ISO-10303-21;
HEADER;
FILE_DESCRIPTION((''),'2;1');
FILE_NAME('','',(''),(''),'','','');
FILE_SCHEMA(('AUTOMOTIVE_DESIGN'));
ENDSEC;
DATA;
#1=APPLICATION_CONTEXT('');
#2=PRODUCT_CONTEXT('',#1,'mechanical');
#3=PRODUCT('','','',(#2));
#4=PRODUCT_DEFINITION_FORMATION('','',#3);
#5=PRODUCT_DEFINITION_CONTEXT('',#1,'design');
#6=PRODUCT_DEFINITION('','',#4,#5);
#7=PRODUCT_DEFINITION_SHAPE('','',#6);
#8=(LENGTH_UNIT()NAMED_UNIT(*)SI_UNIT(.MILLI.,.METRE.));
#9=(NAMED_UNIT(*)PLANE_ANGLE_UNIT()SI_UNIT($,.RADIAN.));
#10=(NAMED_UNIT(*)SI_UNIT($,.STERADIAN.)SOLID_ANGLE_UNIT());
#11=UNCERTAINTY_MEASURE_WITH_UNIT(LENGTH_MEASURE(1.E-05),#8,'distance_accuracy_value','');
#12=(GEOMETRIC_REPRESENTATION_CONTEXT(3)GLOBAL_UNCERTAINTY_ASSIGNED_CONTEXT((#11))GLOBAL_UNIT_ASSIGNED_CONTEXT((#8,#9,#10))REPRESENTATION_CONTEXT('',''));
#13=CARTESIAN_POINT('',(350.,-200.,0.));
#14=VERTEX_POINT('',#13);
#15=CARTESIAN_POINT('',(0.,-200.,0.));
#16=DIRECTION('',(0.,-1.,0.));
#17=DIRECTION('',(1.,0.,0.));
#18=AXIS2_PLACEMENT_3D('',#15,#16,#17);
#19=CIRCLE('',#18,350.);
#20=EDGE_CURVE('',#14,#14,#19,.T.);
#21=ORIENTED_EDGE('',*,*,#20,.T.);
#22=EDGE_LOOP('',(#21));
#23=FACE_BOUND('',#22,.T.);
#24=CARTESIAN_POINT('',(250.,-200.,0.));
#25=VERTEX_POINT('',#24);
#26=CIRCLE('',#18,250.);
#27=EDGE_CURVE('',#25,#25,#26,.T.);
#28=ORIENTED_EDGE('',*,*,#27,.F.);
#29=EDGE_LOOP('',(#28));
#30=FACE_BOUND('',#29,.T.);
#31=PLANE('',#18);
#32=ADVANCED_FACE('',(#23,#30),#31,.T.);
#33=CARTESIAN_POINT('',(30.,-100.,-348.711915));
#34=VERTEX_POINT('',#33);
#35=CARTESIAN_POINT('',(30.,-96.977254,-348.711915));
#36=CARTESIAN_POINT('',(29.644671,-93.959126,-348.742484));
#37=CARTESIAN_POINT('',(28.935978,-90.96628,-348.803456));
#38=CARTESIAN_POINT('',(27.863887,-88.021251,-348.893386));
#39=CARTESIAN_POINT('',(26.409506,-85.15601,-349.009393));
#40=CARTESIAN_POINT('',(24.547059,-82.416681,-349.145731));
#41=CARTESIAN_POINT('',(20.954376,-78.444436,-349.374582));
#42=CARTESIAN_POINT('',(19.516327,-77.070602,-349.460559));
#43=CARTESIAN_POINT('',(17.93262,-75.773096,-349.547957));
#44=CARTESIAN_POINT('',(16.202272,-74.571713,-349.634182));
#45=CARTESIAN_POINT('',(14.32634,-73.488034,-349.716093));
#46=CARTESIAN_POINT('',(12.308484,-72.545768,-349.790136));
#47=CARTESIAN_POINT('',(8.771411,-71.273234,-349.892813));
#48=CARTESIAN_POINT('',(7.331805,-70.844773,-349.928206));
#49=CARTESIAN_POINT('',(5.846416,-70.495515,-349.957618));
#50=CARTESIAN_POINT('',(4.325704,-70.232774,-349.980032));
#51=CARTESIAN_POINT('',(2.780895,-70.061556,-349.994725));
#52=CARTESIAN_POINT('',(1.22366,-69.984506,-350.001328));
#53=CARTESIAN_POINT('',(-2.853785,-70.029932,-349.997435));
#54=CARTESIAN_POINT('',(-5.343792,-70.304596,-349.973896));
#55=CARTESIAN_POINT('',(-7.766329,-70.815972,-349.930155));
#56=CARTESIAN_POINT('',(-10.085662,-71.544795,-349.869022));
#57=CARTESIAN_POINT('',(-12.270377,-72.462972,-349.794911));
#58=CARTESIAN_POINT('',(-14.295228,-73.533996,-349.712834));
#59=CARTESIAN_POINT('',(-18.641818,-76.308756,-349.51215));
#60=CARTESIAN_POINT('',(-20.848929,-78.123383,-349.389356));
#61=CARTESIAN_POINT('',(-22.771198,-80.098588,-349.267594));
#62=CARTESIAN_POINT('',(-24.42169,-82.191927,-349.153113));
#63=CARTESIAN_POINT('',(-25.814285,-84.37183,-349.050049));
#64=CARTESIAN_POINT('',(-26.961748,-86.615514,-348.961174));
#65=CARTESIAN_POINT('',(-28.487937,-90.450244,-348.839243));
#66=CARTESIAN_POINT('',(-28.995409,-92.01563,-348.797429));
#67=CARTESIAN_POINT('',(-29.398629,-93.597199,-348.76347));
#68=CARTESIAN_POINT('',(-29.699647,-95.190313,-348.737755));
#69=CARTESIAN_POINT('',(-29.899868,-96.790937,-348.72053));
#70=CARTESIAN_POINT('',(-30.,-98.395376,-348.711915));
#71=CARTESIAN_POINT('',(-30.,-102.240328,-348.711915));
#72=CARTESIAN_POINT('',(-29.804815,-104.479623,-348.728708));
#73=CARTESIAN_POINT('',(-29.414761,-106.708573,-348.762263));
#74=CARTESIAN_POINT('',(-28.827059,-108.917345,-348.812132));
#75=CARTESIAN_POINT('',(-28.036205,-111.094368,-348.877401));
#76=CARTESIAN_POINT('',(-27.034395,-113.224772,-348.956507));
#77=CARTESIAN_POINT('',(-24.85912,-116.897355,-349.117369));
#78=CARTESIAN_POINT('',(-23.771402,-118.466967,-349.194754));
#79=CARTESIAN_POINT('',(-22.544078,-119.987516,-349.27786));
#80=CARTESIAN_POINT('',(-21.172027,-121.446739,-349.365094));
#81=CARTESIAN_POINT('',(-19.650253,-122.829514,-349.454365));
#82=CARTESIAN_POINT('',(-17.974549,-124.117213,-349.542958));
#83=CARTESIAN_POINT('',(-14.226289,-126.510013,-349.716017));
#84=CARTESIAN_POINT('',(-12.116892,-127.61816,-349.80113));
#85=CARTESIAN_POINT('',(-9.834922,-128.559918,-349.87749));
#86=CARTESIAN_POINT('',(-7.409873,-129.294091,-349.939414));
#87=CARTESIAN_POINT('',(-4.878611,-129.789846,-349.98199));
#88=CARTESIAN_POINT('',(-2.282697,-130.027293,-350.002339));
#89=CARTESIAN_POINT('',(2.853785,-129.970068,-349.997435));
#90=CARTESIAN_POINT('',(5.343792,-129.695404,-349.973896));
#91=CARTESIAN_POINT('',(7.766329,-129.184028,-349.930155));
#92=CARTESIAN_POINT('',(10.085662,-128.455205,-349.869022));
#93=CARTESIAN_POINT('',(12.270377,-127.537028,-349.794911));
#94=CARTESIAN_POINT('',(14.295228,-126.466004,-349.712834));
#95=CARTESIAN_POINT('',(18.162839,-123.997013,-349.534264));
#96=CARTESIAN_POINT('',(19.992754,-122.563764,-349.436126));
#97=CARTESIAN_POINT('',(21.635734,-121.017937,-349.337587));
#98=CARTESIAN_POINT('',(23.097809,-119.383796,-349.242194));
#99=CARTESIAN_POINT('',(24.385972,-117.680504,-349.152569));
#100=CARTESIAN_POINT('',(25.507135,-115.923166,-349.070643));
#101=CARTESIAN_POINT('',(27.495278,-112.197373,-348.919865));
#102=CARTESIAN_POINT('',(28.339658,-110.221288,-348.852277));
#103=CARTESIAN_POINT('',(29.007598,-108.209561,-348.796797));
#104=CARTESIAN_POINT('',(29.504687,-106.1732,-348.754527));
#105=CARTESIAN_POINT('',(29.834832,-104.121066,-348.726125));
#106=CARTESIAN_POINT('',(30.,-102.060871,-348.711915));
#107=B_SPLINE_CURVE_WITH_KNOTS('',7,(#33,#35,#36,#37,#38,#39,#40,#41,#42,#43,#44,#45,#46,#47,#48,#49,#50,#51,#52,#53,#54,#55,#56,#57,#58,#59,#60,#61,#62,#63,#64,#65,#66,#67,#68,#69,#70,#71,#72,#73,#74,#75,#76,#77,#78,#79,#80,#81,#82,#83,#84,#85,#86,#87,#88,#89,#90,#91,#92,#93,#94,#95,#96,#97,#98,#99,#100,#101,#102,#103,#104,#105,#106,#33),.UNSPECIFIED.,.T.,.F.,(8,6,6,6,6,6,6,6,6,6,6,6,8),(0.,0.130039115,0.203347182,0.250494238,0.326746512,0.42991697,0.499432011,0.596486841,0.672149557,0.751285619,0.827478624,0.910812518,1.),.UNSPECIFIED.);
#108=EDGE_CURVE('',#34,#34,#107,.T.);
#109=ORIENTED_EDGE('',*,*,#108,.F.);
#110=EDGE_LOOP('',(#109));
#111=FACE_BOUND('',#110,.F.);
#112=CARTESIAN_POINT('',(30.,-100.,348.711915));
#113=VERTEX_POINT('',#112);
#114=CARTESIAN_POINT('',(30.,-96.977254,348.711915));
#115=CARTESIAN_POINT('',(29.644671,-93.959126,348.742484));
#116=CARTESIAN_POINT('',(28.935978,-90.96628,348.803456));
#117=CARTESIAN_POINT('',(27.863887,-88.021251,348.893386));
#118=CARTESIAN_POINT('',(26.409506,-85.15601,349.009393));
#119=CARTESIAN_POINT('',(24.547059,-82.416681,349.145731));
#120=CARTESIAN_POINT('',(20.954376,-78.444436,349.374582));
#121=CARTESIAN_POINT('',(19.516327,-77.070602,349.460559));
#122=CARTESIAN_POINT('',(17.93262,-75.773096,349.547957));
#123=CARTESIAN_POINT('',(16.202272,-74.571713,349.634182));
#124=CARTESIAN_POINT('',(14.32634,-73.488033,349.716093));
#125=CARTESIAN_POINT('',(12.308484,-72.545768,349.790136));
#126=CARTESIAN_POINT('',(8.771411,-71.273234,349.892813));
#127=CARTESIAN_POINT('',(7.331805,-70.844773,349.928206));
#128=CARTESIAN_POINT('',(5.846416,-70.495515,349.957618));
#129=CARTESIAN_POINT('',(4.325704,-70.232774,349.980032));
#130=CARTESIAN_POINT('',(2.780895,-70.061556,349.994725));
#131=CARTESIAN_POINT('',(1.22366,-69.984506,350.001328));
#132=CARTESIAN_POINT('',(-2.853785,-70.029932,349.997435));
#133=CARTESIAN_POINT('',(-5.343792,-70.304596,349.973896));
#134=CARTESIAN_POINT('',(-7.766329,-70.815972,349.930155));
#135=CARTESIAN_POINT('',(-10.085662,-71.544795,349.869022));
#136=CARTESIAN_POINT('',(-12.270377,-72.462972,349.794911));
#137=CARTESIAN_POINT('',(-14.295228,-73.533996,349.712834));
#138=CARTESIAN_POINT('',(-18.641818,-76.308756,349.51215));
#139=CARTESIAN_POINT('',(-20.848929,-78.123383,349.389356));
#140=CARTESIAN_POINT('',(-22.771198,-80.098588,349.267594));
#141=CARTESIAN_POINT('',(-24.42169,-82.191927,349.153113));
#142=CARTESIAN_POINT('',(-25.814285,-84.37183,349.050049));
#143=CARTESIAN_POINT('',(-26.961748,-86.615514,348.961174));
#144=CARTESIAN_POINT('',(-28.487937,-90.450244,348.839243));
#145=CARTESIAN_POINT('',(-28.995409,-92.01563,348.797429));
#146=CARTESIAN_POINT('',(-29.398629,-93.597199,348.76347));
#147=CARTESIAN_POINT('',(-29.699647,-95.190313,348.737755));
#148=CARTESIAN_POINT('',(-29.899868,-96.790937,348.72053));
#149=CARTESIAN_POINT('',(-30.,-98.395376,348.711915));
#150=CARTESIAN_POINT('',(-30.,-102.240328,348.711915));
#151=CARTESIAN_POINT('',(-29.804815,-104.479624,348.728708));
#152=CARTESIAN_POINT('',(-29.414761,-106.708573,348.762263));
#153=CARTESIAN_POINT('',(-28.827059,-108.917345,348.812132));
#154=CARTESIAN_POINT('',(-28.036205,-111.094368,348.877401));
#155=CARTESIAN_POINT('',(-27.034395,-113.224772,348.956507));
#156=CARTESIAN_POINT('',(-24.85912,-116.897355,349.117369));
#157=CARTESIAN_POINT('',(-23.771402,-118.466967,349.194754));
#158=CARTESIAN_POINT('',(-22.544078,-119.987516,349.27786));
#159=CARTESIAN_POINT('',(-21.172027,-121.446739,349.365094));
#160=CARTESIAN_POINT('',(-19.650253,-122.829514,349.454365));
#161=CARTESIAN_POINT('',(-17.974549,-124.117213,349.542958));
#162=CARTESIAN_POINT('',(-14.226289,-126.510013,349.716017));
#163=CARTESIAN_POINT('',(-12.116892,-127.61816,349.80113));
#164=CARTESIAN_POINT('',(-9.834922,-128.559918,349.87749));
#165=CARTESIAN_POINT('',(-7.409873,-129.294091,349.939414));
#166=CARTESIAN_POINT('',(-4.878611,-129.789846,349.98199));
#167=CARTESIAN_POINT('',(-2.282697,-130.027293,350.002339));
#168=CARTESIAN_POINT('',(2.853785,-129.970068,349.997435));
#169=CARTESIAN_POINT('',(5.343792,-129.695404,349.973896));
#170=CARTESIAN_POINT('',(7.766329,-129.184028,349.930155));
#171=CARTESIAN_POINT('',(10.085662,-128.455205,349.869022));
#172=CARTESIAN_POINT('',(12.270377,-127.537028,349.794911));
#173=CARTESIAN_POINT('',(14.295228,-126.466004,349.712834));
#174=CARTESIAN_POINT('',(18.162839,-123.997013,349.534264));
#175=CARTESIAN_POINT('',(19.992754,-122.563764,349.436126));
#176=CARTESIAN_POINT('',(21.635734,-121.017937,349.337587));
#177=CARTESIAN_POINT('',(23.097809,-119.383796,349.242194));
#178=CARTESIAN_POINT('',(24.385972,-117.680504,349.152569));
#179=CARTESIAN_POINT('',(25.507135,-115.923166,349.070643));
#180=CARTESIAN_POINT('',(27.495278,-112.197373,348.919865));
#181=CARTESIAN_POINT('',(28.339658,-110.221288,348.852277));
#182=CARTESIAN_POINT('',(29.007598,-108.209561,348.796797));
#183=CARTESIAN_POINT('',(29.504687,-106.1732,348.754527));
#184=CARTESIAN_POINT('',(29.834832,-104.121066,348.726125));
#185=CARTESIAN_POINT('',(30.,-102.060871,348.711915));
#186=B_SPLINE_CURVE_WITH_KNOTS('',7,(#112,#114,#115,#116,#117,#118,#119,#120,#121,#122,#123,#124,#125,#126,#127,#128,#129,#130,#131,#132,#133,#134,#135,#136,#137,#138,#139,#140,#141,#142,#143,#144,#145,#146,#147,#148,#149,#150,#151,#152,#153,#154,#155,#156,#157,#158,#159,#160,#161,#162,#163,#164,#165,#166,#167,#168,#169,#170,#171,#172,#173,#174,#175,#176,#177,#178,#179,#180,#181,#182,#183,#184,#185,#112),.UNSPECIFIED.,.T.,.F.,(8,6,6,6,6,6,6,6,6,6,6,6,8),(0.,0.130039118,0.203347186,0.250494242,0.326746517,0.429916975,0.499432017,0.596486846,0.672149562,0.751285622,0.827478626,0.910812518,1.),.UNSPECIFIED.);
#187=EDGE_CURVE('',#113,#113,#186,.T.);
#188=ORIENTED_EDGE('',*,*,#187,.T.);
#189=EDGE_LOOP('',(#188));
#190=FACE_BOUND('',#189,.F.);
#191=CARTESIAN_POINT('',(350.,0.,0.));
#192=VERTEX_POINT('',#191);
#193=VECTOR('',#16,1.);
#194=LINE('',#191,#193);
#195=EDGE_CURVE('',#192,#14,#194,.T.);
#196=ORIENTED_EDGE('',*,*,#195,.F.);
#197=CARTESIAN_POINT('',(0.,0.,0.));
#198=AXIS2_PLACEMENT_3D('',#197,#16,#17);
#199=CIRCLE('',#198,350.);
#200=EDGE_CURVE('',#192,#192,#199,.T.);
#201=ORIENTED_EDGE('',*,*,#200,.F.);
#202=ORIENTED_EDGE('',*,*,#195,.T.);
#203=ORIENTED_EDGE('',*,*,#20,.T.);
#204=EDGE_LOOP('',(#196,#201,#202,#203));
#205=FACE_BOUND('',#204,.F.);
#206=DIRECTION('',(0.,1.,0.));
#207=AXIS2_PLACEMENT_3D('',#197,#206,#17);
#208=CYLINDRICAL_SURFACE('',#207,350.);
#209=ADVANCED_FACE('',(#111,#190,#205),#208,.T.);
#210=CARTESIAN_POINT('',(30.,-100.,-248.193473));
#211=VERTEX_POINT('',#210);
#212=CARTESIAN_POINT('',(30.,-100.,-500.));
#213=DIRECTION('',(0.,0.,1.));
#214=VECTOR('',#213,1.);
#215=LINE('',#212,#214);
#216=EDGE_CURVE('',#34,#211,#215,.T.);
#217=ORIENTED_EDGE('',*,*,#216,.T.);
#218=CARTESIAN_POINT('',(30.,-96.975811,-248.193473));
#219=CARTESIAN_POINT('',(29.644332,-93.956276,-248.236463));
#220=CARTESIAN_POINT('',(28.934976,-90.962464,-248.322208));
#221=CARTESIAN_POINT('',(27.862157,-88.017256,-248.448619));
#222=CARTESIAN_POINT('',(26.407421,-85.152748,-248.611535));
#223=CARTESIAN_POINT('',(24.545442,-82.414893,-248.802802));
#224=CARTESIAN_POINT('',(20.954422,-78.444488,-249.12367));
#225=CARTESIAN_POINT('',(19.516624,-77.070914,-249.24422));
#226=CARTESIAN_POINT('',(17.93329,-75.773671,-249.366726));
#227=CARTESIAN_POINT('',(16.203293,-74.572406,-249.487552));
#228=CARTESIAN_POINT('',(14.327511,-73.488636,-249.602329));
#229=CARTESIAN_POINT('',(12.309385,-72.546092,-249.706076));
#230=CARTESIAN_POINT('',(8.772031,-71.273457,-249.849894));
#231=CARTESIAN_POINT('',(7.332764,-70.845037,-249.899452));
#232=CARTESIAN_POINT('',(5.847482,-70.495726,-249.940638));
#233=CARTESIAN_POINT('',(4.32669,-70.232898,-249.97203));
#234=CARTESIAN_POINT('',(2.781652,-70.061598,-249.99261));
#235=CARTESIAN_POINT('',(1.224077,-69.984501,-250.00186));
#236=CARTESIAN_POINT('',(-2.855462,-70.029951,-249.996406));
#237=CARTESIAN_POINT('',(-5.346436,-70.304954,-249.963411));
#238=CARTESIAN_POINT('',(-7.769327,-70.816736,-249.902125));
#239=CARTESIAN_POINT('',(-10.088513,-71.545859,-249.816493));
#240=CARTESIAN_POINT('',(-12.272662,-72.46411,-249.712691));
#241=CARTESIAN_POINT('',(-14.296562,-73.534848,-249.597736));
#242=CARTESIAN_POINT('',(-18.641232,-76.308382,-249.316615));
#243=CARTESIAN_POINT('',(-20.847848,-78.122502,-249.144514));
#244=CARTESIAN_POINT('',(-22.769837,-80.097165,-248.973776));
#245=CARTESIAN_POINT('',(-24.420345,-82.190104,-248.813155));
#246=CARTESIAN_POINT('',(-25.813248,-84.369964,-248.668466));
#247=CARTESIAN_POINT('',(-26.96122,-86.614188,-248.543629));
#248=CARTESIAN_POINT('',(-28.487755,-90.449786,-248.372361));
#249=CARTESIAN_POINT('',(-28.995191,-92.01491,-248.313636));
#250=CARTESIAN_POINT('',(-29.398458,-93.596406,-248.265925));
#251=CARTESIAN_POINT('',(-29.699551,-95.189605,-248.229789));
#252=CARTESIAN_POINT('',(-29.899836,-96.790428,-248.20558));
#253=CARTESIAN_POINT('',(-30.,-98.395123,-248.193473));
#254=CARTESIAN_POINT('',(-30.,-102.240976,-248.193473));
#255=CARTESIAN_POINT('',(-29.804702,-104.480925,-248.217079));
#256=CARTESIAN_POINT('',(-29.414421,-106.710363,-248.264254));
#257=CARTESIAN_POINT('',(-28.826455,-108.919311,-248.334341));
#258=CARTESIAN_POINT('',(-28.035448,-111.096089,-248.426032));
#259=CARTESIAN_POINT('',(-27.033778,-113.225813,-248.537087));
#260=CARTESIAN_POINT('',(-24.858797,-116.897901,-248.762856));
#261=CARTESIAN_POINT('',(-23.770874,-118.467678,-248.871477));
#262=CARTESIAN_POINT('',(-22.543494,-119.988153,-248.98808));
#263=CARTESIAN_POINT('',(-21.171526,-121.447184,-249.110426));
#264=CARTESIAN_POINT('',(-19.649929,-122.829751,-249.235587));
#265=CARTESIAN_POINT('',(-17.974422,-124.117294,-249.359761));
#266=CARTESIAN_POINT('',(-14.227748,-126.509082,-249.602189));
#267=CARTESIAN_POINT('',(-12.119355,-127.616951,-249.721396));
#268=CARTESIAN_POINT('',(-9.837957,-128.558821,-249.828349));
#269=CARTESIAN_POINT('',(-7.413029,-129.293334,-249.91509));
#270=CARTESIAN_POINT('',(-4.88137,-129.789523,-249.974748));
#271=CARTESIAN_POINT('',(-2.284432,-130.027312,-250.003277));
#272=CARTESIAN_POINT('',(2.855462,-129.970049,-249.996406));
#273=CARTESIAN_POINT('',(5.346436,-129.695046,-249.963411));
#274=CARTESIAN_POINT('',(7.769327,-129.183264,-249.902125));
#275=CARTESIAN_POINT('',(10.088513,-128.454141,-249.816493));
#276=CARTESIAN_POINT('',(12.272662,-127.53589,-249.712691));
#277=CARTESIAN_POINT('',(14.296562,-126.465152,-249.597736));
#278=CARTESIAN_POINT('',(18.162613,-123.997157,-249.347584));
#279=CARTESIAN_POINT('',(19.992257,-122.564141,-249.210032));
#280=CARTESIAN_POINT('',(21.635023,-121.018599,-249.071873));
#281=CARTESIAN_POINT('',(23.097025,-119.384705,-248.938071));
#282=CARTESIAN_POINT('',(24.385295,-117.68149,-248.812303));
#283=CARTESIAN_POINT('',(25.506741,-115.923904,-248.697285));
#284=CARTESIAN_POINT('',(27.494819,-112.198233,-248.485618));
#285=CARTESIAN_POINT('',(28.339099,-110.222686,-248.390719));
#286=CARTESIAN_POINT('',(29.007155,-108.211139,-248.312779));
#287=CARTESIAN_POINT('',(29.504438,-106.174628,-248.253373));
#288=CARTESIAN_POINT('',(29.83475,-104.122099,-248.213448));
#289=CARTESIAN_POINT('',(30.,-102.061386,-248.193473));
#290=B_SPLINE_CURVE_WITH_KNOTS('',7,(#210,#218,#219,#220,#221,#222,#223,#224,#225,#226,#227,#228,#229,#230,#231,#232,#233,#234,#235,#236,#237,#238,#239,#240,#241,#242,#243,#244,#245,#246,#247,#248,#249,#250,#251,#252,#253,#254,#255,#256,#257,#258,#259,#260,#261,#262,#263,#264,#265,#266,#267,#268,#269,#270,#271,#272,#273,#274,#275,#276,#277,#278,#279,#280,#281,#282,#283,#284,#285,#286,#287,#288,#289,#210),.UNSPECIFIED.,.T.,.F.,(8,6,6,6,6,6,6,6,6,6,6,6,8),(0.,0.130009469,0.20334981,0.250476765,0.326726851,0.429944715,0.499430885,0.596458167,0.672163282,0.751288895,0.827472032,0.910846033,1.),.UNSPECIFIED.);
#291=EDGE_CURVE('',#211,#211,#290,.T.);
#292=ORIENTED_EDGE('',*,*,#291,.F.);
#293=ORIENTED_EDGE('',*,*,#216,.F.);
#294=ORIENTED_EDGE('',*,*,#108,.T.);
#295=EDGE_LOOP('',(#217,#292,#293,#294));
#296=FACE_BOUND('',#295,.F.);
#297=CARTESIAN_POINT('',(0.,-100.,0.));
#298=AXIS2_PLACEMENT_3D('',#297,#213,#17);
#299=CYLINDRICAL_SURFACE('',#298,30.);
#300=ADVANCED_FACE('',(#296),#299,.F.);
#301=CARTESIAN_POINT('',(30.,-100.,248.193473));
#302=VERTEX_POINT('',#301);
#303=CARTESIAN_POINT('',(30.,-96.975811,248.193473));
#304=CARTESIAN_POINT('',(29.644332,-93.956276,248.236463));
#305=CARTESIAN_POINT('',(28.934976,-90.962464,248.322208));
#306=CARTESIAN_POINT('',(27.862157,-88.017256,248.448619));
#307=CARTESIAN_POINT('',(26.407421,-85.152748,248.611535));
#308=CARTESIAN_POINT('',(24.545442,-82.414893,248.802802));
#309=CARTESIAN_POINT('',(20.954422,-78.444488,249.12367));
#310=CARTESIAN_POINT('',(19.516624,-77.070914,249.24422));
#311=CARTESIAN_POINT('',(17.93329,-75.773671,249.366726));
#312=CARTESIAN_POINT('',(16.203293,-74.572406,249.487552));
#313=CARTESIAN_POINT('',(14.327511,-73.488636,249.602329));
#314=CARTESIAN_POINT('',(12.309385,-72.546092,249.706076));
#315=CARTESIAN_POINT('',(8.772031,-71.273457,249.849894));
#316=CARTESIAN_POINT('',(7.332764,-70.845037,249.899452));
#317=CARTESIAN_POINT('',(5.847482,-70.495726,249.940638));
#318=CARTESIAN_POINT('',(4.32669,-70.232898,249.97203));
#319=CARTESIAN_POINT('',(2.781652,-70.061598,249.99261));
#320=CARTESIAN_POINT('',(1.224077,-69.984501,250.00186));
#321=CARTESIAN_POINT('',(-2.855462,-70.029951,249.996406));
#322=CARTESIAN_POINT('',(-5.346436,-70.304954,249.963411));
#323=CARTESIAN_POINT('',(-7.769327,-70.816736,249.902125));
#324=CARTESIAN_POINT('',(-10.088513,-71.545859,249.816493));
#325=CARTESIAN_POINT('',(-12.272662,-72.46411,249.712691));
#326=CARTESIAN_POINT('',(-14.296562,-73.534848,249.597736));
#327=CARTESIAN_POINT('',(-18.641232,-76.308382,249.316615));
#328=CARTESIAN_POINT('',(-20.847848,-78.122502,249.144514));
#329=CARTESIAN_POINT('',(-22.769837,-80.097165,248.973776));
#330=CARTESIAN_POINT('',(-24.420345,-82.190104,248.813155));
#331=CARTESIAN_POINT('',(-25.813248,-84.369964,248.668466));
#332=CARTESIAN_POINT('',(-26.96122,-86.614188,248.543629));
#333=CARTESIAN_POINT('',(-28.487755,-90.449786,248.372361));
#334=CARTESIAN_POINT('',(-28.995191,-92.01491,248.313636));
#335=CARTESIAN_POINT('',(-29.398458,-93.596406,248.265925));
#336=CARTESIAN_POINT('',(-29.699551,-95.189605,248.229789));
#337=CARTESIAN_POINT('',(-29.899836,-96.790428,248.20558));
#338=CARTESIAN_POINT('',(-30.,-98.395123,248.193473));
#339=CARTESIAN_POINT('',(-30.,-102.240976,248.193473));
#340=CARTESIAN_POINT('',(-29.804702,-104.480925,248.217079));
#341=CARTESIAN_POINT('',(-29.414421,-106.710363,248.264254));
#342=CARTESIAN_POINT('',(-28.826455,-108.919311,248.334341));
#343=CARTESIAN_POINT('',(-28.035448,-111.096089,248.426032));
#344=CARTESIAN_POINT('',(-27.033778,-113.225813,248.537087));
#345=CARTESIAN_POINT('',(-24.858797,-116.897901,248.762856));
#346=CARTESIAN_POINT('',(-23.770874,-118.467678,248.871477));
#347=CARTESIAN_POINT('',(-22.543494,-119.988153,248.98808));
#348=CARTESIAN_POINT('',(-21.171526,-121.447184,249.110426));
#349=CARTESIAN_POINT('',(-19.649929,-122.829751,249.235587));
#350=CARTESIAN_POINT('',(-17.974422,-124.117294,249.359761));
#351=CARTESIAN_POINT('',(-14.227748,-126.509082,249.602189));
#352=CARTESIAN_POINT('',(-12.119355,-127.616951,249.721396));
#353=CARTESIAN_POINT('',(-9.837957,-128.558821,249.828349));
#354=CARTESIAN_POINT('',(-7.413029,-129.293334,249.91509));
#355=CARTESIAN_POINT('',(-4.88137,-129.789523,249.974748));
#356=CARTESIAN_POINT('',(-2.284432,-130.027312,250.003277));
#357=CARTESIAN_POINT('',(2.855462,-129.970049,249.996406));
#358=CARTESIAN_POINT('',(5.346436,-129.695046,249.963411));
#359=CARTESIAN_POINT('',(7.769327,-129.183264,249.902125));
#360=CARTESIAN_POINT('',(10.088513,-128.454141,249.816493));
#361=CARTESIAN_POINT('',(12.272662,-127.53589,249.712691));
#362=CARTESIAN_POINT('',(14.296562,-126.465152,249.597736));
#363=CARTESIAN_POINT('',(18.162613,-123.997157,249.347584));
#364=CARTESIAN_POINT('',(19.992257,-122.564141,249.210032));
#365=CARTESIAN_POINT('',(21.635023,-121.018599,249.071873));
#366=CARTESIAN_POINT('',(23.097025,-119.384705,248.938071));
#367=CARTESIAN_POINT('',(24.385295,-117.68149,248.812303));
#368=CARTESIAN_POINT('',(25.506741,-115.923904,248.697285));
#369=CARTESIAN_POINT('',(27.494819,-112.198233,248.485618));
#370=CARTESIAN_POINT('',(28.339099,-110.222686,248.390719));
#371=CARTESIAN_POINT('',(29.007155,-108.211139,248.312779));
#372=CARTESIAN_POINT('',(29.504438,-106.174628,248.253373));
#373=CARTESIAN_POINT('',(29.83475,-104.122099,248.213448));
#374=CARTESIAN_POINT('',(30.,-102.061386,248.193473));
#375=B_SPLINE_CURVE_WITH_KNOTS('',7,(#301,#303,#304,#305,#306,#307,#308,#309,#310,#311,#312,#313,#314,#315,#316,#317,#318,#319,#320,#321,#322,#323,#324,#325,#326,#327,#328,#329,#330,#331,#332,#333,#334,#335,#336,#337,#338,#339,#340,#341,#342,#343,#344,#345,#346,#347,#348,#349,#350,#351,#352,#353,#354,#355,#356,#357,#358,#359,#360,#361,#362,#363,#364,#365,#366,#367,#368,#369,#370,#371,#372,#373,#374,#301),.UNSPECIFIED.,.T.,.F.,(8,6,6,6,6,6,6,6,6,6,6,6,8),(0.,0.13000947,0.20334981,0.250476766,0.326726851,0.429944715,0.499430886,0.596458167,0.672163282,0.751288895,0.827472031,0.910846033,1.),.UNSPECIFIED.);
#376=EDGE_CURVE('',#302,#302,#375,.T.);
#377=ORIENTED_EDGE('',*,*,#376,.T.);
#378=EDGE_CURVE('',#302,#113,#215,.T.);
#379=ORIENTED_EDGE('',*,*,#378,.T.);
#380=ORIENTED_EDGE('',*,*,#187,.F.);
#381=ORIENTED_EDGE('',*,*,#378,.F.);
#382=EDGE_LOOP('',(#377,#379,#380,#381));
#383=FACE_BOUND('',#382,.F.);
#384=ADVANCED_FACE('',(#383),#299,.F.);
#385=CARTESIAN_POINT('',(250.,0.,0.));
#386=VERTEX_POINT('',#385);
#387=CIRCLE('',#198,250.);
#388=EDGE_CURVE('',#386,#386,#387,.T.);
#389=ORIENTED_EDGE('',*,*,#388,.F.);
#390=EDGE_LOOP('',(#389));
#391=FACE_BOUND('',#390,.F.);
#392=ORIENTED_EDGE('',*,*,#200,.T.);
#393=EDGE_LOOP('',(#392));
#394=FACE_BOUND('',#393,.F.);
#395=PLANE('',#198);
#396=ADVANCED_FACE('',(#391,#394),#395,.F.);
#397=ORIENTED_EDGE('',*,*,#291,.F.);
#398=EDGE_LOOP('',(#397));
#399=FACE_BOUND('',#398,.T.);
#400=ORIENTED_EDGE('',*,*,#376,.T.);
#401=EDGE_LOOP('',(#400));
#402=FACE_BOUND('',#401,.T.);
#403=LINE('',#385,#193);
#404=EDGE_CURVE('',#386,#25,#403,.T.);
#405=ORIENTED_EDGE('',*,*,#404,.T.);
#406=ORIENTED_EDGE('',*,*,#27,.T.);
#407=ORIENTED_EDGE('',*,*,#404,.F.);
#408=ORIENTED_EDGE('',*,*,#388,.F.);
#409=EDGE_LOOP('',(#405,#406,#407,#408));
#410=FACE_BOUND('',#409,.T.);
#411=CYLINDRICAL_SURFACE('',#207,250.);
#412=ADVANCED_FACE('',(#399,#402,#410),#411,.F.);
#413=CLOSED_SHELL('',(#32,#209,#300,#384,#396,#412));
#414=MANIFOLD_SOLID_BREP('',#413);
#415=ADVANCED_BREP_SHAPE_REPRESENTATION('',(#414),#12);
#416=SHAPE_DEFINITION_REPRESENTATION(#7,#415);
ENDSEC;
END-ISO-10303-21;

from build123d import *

# Parameters (mm, degrees)
F0_R     = 350
F0_R_2   = 250
F1_DEPTH = 200
F2_R     = 30
F3_DEPTH = 500


with BuildPart() as f1:
    # F0 (on Front) → F1 (new body)
    with BuildSketch(Plane.XZ):
        Circle(F0_R)
        Circle(F0_R_2, mode=Mode.SUBTRACT)
    extrude(amount=F1_DEPTH)

    # F2 (on Top) → F3 (cut, symmetric)
    with BuildSketch(Plane.XY):
        with Locations((0, -100)):
            Circle(F2_R)
    extrude(amount=F3_DEPTH, both=True, mode=Mode.SUBTRACT)


solid = f1.part
